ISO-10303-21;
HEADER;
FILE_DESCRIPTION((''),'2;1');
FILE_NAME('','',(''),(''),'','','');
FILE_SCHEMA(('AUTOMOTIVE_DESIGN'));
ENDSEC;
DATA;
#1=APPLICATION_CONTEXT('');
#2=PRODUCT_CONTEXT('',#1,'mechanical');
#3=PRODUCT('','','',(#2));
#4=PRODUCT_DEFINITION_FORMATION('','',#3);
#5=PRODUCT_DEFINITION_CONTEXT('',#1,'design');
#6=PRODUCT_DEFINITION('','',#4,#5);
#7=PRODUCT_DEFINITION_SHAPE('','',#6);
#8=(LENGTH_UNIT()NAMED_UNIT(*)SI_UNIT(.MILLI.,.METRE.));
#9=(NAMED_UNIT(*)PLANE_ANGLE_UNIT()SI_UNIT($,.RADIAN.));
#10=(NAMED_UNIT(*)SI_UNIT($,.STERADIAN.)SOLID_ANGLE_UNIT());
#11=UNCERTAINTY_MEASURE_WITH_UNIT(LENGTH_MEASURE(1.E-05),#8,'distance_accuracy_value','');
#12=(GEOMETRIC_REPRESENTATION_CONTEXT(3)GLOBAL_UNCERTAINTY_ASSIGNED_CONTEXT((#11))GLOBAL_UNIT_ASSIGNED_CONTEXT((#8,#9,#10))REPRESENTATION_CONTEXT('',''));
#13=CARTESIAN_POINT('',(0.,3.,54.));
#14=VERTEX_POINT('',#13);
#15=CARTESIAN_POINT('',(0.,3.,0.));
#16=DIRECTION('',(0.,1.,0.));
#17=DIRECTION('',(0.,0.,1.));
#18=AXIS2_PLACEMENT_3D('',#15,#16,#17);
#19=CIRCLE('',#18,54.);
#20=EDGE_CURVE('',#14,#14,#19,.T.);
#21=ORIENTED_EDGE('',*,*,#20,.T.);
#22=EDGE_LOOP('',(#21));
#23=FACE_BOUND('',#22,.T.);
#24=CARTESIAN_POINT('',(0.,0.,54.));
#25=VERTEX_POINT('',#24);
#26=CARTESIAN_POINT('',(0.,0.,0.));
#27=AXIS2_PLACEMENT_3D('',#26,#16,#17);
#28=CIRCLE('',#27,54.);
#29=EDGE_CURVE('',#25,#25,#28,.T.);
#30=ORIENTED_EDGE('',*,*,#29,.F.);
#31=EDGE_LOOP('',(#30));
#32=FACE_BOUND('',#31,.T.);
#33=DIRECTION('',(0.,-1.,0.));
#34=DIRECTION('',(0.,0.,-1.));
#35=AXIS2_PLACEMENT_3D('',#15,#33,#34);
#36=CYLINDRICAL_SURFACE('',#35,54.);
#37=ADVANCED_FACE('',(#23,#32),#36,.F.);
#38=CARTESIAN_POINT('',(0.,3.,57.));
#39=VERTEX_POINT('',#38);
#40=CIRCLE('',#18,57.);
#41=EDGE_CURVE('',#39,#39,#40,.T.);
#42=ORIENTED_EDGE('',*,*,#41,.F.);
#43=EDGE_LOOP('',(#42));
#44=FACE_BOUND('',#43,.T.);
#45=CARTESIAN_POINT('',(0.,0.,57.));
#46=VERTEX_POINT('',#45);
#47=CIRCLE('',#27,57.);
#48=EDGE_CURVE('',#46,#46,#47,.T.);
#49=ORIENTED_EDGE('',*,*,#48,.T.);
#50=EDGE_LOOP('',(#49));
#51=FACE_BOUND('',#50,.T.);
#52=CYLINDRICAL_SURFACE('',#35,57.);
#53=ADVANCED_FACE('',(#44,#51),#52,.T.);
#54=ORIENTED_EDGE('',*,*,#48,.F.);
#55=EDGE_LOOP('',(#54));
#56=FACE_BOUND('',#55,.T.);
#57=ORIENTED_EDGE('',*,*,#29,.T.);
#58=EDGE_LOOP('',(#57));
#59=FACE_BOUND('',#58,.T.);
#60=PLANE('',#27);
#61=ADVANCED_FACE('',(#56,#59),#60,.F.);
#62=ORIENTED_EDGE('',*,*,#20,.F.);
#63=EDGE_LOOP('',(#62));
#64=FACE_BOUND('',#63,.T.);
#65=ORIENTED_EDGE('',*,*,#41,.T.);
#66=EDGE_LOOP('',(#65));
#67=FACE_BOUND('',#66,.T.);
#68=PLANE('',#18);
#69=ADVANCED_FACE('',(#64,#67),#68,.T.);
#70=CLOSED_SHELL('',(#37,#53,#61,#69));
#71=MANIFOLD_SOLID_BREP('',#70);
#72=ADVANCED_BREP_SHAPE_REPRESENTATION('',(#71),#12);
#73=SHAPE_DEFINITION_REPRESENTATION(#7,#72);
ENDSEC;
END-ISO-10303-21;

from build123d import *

# Parameters (mm, degrees)
SKETCH1_R           = 57
SKETCH1_R_2         = 54
BOSS_EXTRUDE1_DEPTH = 3


with BuildPart() as part:
    # Sketch1 → Boss-Extrude1 (new body)
    with BuildSketch(Plane(origin=(0, 0, 0), x_dir=(1, 0, 0), z_dir=(0, 1, 0))):
        Circle(SKETCH1_R)
        Circle(SKETCH1_R_2, mode=Mode.SUBTRACT)
    extrude(amount=BOSS_EXTRUDE1_DEPTH)


solid = part.part
